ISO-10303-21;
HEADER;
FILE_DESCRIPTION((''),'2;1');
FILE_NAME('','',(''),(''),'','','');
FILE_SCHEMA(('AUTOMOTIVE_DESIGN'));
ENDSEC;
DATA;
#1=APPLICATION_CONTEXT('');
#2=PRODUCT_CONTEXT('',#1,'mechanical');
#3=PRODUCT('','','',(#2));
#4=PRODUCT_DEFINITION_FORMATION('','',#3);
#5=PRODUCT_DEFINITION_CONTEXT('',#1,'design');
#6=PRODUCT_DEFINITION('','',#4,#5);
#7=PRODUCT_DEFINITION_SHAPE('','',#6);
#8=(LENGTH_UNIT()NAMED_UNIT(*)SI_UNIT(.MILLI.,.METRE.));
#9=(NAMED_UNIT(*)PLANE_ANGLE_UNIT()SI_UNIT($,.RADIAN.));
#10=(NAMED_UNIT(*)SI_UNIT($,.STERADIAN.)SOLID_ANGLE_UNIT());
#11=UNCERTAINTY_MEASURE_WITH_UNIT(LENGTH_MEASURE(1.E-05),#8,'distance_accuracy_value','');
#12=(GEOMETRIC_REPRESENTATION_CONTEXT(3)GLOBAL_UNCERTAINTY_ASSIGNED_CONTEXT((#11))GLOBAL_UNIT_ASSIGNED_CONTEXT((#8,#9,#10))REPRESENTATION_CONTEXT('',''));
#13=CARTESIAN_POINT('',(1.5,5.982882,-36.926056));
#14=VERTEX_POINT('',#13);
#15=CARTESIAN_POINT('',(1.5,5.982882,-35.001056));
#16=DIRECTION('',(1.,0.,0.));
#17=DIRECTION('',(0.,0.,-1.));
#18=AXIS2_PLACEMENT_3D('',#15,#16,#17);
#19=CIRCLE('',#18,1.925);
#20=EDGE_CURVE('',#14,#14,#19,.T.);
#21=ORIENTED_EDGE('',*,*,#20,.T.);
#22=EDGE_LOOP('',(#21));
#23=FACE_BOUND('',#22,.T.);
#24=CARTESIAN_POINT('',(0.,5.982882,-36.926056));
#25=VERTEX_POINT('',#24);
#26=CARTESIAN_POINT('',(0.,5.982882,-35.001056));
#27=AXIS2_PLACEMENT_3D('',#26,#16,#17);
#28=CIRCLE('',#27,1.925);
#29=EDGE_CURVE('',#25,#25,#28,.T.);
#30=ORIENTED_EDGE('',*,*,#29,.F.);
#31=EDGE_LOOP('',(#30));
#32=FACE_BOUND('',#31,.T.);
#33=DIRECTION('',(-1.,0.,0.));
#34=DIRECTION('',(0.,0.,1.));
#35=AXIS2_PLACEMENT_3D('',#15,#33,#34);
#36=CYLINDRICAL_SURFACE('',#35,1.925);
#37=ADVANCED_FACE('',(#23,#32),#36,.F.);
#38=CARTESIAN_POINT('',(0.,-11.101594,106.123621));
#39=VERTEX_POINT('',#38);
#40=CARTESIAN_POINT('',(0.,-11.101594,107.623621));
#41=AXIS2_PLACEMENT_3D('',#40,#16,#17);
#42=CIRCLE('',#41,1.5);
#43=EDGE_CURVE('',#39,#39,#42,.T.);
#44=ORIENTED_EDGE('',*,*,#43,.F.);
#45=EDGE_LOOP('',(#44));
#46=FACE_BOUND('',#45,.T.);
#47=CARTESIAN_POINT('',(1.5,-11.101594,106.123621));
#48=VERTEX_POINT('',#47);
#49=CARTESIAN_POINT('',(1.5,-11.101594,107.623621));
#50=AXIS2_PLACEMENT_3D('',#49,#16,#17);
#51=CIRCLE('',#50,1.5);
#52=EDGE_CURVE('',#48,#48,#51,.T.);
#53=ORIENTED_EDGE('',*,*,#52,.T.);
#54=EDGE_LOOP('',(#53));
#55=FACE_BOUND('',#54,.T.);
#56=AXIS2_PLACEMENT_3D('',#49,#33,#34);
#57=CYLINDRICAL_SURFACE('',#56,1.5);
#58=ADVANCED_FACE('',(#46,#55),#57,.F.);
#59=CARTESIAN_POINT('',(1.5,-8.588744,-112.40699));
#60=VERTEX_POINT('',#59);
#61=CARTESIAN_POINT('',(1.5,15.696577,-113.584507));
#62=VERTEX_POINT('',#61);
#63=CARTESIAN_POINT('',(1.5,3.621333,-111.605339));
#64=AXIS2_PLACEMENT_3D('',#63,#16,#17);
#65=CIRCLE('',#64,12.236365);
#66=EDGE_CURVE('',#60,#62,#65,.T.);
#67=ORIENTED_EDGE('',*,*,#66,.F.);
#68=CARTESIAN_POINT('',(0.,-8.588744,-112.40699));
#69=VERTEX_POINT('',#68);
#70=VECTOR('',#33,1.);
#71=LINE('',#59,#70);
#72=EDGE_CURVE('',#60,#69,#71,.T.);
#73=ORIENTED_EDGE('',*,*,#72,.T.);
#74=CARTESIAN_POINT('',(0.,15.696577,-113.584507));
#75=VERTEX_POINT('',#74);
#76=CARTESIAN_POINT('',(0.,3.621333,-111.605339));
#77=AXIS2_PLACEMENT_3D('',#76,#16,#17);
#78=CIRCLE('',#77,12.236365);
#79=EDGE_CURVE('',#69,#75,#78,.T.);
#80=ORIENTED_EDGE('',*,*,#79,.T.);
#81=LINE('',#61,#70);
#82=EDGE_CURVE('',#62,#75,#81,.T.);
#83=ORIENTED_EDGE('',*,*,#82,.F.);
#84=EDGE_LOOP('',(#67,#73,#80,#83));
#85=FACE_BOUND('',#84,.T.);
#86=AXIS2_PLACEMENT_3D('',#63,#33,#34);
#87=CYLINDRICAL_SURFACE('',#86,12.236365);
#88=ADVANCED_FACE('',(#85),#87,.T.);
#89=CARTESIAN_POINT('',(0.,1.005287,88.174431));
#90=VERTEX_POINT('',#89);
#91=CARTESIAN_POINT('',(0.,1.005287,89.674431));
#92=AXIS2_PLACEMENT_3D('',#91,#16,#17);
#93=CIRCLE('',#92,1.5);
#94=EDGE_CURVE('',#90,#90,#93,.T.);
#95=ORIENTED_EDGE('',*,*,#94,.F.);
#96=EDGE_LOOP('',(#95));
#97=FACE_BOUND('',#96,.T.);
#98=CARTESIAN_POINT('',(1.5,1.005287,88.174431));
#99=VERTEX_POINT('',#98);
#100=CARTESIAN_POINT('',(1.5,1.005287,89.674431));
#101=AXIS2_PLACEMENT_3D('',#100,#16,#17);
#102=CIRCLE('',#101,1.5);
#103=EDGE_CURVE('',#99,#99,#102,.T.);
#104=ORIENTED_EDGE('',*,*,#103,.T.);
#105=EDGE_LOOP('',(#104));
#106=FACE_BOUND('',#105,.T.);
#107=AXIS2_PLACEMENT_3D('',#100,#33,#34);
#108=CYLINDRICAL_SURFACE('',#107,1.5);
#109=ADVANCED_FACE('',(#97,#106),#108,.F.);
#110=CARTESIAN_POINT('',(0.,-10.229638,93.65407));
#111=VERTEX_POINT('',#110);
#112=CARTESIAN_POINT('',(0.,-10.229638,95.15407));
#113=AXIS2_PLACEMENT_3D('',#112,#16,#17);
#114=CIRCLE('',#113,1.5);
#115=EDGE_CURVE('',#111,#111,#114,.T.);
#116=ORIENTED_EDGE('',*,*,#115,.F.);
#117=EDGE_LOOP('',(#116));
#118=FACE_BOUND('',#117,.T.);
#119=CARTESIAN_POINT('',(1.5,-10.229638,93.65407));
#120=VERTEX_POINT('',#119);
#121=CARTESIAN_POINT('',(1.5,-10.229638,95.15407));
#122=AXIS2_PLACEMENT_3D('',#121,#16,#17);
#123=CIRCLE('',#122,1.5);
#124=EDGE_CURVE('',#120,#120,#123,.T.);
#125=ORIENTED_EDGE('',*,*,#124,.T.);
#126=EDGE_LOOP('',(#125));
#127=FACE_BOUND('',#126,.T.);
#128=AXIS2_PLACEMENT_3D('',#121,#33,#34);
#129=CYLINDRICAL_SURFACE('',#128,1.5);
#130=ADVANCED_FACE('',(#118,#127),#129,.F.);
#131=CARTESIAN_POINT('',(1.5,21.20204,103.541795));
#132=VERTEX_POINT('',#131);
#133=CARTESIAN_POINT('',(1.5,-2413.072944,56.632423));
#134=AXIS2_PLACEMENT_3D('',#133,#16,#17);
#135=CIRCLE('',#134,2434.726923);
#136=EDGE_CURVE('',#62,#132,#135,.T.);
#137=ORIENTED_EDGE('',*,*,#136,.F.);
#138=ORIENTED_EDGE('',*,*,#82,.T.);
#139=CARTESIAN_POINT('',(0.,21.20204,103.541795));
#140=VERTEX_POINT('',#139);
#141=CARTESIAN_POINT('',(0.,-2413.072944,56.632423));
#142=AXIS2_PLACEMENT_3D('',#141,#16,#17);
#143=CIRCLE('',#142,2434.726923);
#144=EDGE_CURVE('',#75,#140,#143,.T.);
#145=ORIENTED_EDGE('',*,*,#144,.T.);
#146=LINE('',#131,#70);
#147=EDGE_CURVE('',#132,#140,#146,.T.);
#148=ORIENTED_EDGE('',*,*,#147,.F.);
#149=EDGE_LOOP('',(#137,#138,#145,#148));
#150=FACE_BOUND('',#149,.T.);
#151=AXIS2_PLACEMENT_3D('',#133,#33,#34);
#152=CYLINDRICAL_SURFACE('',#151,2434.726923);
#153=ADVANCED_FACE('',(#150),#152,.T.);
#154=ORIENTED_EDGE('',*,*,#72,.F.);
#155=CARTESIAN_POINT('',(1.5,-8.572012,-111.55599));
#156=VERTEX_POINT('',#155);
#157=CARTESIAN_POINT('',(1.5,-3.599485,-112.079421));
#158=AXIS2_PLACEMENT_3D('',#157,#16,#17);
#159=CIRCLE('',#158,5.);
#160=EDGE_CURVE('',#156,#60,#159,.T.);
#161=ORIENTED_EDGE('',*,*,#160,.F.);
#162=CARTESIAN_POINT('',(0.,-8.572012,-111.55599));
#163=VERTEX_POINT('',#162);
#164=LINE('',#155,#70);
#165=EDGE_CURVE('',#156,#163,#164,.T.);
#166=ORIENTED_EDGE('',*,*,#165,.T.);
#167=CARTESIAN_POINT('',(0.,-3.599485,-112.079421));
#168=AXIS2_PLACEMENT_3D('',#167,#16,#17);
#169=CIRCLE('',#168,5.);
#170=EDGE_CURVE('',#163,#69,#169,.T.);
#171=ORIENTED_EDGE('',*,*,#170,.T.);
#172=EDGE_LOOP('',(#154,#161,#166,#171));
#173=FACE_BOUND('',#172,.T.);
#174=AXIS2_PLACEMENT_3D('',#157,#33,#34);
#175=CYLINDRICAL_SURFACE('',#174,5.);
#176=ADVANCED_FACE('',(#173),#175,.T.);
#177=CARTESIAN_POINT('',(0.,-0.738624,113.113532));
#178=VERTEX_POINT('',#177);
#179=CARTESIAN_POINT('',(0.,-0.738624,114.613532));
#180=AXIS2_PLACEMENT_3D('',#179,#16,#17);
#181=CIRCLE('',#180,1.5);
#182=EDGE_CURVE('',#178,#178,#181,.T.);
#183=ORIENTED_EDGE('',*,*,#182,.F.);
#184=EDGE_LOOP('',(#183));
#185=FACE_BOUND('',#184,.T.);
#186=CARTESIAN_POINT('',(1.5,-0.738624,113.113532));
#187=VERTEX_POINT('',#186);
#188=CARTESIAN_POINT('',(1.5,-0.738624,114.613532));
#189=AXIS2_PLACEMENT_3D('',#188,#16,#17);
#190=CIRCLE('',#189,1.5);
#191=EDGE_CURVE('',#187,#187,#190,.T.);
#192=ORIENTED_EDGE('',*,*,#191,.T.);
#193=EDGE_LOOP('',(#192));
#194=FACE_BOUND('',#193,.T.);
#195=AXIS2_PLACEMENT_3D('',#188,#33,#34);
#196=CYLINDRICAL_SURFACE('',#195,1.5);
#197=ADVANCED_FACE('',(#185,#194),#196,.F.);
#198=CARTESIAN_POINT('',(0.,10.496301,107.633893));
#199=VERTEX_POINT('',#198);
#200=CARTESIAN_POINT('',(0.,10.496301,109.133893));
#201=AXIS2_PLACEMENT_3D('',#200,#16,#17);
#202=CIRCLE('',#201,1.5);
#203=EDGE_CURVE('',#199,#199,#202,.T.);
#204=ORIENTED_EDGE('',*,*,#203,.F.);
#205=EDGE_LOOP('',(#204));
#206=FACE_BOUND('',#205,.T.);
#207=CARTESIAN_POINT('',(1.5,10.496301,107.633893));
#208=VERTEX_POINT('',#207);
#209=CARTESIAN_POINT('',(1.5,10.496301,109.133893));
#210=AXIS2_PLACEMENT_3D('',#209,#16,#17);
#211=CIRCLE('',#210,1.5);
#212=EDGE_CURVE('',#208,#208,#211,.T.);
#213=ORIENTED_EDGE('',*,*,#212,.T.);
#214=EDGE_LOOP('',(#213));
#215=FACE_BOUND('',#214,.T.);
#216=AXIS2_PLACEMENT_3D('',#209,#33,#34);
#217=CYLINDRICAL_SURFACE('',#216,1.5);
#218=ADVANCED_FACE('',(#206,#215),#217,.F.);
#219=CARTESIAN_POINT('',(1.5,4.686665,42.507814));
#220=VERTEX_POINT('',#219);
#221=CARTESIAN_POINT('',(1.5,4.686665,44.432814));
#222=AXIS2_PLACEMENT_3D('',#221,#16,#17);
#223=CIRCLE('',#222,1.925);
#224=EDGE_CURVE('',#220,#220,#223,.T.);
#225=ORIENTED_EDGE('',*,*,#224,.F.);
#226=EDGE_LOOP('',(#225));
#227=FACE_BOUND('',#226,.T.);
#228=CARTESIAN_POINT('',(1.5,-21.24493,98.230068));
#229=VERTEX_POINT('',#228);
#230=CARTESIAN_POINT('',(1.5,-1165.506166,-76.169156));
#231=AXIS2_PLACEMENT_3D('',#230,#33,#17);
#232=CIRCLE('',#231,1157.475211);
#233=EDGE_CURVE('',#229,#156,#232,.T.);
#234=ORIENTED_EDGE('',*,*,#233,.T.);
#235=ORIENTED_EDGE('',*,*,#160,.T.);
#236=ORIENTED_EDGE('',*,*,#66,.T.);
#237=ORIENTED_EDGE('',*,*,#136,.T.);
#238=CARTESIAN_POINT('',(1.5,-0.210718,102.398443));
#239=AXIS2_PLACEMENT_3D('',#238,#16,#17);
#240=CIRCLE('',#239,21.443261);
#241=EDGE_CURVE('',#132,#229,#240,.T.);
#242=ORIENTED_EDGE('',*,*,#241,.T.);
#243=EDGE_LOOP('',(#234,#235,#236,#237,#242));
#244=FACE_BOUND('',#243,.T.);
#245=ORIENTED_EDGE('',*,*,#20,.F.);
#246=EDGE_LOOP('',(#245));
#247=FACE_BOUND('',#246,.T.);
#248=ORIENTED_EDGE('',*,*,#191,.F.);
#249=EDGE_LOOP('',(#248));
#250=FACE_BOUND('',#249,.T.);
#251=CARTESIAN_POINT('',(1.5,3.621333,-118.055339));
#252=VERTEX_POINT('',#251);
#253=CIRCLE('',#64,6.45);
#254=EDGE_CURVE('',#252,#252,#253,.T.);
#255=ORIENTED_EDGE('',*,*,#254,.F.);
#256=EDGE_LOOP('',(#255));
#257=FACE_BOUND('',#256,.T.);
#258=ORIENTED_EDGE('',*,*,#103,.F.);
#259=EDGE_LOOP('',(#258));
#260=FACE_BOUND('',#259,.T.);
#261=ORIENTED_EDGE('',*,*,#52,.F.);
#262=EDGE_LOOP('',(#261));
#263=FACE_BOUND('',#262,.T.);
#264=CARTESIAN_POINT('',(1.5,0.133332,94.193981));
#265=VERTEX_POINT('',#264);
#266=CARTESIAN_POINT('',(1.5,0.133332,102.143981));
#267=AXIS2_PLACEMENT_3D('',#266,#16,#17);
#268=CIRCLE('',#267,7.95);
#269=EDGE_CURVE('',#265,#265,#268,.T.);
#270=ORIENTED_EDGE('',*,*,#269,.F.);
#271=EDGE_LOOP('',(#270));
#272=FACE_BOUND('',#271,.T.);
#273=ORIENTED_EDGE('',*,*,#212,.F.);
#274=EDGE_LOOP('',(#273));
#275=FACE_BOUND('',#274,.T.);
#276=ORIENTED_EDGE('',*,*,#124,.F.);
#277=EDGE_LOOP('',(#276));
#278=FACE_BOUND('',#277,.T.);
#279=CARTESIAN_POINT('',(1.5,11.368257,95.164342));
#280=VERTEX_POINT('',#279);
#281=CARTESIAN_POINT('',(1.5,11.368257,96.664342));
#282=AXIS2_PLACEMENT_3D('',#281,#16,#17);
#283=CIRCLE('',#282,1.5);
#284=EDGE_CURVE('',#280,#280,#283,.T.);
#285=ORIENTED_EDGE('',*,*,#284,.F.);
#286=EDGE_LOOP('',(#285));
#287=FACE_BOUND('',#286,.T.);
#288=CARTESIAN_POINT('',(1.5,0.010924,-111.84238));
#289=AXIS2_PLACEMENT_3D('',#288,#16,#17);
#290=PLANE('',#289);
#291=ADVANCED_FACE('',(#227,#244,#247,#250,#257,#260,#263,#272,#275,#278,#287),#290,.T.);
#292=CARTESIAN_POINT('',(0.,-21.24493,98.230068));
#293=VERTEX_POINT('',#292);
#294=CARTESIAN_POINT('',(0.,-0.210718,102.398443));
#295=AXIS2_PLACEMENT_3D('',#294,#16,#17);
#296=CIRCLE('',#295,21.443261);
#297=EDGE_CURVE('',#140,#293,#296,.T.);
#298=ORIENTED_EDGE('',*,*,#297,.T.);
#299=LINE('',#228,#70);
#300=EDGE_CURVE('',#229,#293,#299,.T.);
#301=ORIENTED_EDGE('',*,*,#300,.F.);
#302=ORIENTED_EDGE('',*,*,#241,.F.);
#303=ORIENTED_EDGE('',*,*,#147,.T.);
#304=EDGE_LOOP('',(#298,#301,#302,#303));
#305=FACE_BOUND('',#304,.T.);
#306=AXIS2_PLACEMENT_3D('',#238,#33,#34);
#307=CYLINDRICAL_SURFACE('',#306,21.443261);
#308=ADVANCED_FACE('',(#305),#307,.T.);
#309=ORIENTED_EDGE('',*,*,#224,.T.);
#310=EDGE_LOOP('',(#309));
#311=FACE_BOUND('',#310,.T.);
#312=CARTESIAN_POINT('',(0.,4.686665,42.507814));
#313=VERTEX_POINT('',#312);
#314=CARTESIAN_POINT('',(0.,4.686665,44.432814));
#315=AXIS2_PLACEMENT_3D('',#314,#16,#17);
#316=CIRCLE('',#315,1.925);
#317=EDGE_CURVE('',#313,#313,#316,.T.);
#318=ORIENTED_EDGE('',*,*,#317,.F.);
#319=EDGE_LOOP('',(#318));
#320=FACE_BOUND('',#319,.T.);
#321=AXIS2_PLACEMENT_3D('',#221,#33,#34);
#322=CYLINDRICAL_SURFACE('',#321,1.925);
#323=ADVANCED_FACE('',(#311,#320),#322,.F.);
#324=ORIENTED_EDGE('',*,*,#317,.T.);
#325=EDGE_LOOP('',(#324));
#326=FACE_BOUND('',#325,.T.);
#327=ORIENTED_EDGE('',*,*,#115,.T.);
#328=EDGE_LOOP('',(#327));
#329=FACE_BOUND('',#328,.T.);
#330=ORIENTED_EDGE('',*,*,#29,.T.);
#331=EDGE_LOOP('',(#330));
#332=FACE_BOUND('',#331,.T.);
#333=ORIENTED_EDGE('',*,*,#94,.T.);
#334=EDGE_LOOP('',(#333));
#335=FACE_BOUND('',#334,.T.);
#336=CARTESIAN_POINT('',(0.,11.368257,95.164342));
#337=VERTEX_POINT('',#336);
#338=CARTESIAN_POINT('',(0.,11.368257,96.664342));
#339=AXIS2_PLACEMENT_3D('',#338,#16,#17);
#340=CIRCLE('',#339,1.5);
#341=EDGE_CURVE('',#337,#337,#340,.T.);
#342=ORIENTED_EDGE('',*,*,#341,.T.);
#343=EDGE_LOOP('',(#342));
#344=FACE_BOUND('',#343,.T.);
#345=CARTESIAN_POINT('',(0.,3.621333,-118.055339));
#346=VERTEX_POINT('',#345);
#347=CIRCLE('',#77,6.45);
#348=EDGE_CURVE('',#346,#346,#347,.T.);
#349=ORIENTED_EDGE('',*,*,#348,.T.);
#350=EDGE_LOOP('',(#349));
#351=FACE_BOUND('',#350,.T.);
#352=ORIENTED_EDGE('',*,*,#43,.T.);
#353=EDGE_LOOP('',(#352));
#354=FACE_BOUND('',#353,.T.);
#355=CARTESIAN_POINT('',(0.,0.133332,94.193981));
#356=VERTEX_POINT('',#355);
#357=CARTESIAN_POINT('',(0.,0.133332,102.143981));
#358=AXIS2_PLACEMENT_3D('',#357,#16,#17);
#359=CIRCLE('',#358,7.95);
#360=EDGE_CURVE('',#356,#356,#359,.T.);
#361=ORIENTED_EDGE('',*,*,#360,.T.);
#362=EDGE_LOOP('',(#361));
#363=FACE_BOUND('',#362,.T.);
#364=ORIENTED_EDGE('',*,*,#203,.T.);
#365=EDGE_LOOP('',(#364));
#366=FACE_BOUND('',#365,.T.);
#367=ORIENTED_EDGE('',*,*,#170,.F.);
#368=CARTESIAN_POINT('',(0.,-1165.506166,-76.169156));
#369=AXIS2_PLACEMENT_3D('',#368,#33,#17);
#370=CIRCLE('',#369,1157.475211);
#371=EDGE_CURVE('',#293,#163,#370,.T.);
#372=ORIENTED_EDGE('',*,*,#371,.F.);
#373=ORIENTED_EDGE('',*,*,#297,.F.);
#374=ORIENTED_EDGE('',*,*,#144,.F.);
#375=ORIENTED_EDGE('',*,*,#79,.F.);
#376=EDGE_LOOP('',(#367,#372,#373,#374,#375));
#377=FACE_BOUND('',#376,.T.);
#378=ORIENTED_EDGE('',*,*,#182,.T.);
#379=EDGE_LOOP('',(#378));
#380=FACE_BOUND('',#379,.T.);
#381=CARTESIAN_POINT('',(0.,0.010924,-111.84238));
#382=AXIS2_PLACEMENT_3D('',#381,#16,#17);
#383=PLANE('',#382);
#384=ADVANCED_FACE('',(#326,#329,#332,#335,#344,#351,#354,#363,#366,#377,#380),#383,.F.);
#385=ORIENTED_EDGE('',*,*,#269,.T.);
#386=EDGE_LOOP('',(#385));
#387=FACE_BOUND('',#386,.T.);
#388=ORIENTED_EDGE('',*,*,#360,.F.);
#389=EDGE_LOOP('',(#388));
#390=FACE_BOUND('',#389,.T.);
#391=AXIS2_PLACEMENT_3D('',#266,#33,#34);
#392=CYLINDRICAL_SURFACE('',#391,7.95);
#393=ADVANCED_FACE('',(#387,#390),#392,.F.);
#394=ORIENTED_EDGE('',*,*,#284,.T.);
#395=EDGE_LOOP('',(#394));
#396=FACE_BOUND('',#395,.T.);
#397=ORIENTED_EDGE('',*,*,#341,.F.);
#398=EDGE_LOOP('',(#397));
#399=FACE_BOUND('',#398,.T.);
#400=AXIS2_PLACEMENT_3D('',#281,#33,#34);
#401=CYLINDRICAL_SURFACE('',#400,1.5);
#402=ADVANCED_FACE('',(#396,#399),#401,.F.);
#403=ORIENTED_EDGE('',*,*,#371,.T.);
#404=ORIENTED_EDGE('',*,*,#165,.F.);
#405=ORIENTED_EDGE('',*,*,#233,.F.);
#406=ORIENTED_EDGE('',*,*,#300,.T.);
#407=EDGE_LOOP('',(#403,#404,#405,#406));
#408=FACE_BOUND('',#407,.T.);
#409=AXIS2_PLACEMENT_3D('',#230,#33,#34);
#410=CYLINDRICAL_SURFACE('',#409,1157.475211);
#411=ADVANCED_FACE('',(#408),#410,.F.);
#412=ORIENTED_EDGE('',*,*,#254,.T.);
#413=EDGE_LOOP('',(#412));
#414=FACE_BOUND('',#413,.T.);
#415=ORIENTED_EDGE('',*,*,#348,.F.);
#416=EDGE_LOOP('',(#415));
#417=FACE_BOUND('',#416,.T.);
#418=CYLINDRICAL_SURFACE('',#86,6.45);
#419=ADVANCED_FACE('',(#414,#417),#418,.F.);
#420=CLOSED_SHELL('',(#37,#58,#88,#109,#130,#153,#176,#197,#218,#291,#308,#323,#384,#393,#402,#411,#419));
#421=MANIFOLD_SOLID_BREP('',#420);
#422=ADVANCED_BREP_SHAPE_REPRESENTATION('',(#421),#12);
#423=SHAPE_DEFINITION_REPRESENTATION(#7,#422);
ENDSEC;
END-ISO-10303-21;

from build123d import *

# Parameters (mm, degrees)
SKETCH_1_R      = 1.5
SKETCH_1_R_2    = 6.45
SKETCH_1_R_3    = 7.95
SKETCH_1_R_4    = 1.925
EXTRUDE_1_DEPTH = 1.5


with BuildPart() as part:
    # 草圖1 → 填料-伸長1 (new body)
    with BuildSketch(Plane(origin=(0, 0, 0), x_dir=(0, 0, -1), z_dir=(1, 0, 0))):
        with BuildLine():
            ThreePointArc((111.555989952, -8.572011863), (6.374730125, -10.137132711), (-98.230068302, -21.244930328))
            ThreePointArc((-98.230068302, -21.244930328), (-123.67575498, -2.873316644), (-103.541794939, 21.20204032))
            ThreePointArc((-103.541794939, 21.20204032), (5.082777822, 20.871677912), (113.584507189, 15.696576829))
            ThreePointArc((113.584507189, 15.696576829), (123.827345593, 3.028727453), (112.406990492, -8.588743688))
            ThreePointArc((112.406990492, -8.588743688), (111.981133536, -8.59851924), (111.555989952, -8.572011863))
        make_face()
        with Locations((-109.133892688, 10.496301174)):
            Circle(SKETCH_1_R, mode=Mode.SUBTRACT)
        with Locations((-114.613532023, -0.738624405)):
            Circle(SKETCH_1_R, mode=Mode.SUBTRACT)
        with Locations((-107.62362073, -11.101594062)):
            Circle(SKETCH_1_R, mode=Mode.SUBTRACT)
        with Locations((-95.154070101, -10.22963814)):
            Circle(SKETCH_1_R, mode=Mode.SUBTRACT)
        with Locations((-89.674430767, 1.005287439)):
            Circle(SKETCH_1_R, mode=Mode.SUBTRACT)
        with Locations((-96.66434206, 11.368257096)):
            Circle(SKETCH_1_R, mode=Mode.SUBTRACT)
        with Locations((111.605339346, 3.621333032)):
            Circle(SKETCH_1_R_2, mode=Mode.SUBTRACT)
        with Locations((-102.143981395, 0.133331517)):
            Circle(SKETCH_1_R_3, mode=Mode.SUBTRACT)
        with Locations((35.001055541, 5.982881827)):
            Circle(SKETCH_1_R_4, mode=Mode.SUBTRACT)
        with Locations((-44.432813653, 4.686665047)):
            Circle(SKETCH_1_R_4, mode=Mode.SUBTRACT)
    extrude(amount=EXTRUDE_1_DEPTH)


solid = part.part
